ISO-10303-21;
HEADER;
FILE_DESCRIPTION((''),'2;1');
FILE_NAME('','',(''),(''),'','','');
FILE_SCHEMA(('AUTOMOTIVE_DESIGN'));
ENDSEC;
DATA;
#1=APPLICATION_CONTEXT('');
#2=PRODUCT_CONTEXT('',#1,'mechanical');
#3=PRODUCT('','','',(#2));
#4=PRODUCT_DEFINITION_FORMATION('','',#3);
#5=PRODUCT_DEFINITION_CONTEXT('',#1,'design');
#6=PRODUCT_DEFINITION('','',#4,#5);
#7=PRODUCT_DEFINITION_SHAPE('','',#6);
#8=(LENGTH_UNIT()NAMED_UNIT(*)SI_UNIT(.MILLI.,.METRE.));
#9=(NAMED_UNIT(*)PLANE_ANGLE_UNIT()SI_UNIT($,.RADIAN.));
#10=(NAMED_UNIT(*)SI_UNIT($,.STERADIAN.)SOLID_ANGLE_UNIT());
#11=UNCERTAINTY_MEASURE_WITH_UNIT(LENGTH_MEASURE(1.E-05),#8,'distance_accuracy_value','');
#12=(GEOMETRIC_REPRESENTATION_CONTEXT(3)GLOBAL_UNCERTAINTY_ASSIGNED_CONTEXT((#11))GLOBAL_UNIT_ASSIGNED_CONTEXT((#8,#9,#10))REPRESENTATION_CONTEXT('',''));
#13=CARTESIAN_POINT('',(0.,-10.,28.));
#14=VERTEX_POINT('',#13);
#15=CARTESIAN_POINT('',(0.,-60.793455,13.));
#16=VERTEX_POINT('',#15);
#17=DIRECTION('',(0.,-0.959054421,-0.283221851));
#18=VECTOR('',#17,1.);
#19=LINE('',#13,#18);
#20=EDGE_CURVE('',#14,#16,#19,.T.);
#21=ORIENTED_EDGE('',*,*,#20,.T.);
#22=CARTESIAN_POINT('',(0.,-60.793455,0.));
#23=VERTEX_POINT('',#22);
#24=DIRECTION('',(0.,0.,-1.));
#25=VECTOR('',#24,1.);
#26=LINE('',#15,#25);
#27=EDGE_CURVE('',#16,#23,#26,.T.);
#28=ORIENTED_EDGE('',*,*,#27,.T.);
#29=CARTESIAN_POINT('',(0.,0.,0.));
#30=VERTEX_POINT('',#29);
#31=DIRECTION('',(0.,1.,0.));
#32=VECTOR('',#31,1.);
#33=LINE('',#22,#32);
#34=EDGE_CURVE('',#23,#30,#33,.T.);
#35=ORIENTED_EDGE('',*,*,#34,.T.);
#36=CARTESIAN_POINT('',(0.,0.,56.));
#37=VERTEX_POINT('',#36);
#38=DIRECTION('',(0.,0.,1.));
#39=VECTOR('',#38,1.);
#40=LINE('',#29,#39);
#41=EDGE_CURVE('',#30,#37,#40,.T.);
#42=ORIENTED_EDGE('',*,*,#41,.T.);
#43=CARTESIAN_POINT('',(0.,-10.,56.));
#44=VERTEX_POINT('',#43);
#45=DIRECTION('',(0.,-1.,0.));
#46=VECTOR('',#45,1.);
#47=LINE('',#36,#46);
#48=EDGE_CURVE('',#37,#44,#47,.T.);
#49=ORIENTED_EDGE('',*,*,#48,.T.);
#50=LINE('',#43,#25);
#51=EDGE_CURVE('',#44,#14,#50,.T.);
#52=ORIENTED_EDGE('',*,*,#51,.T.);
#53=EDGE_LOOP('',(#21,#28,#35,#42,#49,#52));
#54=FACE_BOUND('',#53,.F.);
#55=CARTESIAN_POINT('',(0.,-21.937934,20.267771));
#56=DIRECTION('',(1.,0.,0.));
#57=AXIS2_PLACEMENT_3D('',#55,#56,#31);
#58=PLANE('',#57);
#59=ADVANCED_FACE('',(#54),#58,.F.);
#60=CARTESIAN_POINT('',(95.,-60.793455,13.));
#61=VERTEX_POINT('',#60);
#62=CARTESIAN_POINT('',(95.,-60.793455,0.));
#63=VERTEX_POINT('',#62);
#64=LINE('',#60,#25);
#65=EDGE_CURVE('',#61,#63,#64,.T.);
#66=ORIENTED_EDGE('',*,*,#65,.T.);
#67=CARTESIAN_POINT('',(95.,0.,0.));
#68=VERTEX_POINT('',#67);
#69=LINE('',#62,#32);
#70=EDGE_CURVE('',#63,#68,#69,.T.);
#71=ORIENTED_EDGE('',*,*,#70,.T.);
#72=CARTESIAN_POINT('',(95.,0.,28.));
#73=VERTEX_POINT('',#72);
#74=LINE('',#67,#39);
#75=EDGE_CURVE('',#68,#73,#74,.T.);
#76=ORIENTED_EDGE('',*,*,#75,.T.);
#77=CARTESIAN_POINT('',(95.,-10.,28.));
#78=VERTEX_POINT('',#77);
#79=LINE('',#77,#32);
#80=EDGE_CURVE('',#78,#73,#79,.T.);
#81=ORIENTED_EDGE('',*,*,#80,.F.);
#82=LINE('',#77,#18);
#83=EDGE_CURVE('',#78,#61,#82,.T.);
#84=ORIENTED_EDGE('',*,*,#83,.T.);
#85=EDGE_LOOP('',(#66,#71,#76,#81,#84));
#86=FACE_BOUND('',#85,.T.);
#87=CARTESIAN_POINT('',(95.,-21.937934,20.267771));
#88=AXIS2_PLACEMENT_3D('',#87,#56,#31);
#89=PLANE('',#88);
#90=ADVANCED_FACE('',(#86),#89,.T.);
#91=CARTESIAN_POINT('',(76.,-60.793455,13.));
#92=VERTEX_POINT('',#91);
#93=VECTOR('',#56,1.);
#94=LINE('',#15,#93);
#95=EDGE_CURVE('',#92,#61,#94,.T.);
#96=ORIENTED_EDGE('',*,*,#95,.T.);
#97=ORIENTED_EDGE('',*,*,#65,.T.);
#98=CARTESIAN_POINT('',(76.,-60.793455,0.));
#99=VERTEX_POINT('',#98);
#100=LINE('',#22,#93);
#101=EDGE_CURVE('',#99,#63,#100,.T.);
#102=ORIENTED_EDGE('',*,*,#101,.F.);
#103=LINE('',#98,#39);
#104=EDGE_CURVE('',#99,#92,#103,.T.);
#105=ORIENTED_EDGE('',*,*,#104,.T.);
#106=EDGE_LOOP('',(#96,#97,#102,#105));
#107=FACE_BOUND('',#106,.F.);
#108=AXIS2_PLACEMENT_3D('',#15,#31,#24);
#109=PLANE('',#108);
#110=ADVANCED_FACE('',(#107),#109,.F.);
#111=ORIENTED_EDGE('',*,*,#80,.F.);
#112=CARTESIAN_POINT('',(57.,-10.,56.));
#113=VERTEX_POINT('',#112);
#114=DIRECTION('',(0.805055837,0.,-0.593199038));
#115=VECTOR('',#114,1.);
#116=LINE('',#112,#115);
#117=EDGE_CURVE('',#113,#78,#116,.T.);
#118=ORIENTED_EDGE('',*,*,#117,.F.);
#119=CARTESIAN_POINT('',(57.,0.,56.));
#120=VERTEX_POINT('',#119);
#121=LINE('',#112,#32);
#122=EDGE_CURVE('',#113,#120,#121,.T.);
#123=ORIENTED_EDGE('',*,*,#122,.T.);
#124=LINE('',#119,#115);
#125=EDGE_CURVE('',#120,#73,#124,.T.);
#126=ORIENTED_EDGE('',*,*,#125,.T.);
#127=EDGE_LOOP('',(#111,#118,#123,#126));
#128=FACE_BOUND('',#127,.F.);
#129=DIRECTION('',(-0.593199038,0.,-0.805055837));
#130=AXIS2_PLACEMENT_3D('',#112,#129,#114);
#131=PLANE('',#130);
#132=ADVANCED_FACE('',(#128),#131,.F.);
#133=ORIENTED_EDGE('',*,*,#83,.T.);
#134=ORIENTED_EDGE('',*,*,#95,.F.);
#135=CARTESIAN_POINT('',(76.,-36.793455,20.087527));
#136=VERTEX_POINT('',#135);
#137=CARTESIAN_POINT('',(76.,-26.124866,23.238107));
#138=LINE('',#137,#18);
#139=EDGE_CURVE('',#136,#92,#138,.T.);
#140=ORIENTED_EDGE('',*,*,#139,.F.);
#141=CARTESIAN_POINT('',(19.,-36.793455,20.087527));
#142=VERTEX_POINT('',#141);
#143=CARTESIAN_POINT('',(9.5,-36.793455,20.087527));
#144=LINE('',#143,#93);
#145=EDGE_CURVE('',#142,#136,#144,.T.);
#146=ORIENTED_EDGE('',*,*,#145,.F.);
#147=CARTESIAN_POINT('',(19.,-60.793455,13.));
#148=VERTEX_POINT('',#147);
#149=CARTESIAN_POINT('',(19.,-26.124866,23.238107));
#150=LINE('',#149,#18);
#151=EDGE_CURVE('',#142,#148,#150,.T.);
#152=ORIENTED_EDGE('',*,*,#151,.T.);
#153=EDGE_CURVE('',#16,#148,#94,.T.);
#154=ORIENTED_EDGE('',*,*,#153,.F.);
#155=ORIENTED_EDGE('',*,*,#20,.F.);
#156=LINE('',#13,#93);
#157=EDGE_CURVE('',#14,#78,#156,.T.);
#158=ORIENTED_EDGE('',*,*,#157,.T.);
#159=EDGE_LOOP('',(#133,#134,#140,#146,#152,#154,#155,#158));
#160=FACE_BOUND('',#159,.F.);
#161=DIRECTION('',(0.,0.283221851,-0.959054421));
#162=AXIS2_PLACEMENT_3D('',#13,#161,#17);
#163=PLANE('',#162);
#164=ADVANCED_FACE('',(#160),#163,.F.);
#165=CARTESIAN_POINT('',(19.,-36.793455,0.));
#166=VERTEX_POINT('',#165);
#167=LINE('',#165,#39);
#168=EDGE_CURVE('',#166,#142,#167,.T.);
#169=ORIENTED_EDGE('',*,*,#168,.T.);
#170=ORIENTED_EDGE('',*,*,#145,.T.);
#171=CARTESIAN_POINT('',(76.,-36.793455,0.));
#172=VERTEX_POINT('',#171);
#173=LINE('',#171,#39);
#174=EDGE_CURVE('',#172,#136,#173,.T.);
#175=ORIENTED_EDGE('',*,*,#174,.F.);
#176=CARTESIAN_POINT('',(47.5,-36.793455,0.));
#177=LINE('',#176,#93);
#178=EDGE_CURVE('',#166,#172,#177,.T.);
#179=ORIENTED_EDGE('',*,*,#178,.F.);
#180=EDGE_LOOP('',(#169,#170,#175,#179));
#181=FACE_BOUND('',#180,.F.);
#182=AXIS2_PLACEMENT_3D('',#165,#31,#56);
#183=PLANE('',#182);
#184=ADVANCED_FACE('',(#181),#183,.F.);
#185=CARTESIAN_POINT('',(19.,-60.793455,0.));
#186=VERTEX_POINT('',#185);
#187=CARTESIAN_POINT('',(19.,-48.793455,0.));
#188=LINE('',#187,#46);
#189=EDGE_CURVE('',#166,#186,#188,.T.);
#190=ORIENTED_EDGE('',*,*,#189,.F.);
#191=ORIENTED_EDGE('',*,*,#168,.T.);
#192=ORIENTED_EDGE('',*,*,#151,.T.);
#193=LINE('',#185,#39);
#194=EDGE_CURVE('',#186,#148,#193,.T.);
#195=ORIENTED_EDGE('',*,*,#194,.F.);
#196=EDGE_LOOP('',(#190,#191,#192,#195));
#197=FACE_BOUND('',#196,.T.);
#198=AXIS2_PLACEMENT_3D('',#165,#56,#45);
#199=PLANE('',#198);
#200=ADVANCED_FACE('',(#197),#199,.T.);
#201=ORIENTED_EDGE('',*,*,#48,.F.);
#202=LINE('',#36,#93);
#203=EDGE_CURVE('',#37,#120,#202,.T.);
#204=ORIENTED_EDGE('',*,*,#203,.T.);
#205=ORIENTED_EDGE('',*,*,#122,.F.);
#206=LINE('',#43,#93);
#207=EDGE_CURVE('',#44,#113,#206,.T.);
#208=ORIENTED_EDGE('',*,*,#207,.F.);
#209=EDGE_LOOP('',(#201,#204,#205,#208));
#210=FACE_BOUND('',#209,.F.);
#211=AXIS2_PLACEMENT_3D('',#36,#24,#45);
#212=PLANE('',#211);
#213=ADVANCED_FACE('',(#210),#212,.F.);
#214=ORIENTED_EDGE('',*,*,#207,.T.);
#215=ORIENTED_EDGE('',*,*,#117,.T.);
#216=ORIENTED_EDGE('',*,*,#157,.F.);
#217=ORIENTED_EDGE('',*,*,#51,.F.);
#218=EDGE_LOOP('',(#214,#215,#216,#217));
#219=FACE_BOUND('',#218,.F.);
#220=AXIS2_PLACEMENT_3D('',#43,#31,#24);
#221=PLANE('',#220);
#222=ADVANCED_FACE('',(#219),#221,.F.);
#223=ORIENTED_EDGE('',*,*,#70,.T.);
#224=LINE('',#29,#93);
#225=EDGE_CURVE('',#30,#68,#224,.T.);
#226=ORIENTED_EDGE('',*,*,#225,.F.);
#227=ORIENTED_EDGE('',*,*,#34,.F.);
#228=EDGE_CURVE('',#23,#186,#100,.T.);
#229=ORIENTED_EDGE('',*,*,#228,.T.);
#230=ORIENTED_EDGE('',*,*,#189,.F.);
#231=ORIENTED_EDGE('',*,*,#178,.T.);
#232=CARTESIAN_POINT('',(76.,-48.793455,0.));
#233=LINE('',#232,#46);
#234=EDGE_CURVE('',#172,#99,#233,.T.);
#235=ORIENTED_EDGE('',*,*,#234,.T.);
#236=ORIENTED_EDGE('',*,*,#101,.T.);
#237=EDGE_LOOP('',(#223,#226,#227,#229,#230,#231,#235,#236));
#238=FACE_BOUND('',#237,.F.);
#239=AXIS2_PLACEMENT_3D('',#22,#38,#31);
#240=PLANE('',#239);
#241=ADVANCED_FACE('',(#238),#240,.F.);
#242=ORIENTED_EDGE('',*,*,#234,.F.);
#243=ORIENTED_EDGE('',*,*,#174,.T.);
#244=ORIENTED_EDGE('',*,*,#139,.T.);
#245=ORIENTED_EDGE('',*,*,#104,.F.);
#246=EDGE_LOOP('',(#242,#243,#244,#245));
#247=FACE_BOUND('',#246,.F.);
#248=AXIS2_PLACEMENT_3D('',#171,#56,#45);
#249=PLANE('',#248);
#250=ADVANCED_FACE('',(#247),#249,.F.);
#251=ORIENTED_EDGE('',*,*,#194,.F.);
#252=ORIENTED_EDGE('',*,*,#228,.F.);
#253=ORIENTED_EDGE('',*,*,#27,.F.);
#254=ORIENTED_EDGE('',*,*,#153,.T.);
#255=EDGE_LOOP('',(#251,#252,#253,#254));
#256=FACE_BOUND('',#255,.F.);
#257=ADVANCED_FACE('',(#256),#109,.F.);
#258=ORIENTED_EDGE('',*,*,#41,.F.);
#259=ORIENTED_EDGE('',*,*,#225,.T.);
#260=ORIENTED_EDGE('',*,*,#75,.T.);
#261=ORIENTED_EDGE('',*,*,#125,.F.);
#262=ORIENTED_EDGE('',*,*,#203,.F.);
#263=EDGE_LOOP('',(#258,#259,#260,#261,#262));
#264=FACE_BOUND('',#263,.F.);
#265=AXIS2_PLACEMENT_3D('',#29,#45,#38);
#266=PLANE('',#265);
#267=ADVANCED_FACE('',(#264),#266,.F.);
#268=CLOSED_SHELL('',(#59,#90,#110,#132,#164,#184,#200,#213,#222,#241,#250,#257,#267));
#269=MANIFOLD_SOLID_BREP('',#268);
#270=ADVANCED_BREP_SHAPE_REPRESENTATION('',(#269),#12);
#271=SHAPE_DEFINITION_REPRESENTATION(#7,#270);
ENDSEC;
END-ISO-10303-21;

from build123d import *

# Parameters (mm, degrees)
F1_DEPTH = 95
F3_DEPTH = 10
F4_W     = 57
F4_H     = 24
F5_DEPTH = 55.8


with BuildPart() as f1:
    # F0 (on Right) → F1 (new body)
    with BuildSketch(Plane.YZ):
        Polygon((0, 56), (-10, 56), (-10, 28), (-60.793455, 13), (-60.793455, 0), (-10, 0), (0, 0), (0, 28), align=None)
    extrude(amount=F1_DEPTH)

    # F2 (on face) → F3 (cut, through all)
    with BuildSketch(Plane.XZ.offset(10)):
        Polygon((95, 56), (57, 56), (95, 28), align=None)
    extrude(amount=-F3_DEPTH, mode=Mode.SUBTRACT)

    # F4 (on face) → F5 (cut)
    with BuildSketch(Plane(origin=(0, 0, 0), x_dir=(1, 0, 0), z_dir=(0, 0, -1))):
        with Locations((47.5, 48.793455)):
            Rectangle(F4_W, F4_H)
    extrude(amount=-F5_DEPTH, mode=Mode.SUBTRACT)


solid = f1.part
